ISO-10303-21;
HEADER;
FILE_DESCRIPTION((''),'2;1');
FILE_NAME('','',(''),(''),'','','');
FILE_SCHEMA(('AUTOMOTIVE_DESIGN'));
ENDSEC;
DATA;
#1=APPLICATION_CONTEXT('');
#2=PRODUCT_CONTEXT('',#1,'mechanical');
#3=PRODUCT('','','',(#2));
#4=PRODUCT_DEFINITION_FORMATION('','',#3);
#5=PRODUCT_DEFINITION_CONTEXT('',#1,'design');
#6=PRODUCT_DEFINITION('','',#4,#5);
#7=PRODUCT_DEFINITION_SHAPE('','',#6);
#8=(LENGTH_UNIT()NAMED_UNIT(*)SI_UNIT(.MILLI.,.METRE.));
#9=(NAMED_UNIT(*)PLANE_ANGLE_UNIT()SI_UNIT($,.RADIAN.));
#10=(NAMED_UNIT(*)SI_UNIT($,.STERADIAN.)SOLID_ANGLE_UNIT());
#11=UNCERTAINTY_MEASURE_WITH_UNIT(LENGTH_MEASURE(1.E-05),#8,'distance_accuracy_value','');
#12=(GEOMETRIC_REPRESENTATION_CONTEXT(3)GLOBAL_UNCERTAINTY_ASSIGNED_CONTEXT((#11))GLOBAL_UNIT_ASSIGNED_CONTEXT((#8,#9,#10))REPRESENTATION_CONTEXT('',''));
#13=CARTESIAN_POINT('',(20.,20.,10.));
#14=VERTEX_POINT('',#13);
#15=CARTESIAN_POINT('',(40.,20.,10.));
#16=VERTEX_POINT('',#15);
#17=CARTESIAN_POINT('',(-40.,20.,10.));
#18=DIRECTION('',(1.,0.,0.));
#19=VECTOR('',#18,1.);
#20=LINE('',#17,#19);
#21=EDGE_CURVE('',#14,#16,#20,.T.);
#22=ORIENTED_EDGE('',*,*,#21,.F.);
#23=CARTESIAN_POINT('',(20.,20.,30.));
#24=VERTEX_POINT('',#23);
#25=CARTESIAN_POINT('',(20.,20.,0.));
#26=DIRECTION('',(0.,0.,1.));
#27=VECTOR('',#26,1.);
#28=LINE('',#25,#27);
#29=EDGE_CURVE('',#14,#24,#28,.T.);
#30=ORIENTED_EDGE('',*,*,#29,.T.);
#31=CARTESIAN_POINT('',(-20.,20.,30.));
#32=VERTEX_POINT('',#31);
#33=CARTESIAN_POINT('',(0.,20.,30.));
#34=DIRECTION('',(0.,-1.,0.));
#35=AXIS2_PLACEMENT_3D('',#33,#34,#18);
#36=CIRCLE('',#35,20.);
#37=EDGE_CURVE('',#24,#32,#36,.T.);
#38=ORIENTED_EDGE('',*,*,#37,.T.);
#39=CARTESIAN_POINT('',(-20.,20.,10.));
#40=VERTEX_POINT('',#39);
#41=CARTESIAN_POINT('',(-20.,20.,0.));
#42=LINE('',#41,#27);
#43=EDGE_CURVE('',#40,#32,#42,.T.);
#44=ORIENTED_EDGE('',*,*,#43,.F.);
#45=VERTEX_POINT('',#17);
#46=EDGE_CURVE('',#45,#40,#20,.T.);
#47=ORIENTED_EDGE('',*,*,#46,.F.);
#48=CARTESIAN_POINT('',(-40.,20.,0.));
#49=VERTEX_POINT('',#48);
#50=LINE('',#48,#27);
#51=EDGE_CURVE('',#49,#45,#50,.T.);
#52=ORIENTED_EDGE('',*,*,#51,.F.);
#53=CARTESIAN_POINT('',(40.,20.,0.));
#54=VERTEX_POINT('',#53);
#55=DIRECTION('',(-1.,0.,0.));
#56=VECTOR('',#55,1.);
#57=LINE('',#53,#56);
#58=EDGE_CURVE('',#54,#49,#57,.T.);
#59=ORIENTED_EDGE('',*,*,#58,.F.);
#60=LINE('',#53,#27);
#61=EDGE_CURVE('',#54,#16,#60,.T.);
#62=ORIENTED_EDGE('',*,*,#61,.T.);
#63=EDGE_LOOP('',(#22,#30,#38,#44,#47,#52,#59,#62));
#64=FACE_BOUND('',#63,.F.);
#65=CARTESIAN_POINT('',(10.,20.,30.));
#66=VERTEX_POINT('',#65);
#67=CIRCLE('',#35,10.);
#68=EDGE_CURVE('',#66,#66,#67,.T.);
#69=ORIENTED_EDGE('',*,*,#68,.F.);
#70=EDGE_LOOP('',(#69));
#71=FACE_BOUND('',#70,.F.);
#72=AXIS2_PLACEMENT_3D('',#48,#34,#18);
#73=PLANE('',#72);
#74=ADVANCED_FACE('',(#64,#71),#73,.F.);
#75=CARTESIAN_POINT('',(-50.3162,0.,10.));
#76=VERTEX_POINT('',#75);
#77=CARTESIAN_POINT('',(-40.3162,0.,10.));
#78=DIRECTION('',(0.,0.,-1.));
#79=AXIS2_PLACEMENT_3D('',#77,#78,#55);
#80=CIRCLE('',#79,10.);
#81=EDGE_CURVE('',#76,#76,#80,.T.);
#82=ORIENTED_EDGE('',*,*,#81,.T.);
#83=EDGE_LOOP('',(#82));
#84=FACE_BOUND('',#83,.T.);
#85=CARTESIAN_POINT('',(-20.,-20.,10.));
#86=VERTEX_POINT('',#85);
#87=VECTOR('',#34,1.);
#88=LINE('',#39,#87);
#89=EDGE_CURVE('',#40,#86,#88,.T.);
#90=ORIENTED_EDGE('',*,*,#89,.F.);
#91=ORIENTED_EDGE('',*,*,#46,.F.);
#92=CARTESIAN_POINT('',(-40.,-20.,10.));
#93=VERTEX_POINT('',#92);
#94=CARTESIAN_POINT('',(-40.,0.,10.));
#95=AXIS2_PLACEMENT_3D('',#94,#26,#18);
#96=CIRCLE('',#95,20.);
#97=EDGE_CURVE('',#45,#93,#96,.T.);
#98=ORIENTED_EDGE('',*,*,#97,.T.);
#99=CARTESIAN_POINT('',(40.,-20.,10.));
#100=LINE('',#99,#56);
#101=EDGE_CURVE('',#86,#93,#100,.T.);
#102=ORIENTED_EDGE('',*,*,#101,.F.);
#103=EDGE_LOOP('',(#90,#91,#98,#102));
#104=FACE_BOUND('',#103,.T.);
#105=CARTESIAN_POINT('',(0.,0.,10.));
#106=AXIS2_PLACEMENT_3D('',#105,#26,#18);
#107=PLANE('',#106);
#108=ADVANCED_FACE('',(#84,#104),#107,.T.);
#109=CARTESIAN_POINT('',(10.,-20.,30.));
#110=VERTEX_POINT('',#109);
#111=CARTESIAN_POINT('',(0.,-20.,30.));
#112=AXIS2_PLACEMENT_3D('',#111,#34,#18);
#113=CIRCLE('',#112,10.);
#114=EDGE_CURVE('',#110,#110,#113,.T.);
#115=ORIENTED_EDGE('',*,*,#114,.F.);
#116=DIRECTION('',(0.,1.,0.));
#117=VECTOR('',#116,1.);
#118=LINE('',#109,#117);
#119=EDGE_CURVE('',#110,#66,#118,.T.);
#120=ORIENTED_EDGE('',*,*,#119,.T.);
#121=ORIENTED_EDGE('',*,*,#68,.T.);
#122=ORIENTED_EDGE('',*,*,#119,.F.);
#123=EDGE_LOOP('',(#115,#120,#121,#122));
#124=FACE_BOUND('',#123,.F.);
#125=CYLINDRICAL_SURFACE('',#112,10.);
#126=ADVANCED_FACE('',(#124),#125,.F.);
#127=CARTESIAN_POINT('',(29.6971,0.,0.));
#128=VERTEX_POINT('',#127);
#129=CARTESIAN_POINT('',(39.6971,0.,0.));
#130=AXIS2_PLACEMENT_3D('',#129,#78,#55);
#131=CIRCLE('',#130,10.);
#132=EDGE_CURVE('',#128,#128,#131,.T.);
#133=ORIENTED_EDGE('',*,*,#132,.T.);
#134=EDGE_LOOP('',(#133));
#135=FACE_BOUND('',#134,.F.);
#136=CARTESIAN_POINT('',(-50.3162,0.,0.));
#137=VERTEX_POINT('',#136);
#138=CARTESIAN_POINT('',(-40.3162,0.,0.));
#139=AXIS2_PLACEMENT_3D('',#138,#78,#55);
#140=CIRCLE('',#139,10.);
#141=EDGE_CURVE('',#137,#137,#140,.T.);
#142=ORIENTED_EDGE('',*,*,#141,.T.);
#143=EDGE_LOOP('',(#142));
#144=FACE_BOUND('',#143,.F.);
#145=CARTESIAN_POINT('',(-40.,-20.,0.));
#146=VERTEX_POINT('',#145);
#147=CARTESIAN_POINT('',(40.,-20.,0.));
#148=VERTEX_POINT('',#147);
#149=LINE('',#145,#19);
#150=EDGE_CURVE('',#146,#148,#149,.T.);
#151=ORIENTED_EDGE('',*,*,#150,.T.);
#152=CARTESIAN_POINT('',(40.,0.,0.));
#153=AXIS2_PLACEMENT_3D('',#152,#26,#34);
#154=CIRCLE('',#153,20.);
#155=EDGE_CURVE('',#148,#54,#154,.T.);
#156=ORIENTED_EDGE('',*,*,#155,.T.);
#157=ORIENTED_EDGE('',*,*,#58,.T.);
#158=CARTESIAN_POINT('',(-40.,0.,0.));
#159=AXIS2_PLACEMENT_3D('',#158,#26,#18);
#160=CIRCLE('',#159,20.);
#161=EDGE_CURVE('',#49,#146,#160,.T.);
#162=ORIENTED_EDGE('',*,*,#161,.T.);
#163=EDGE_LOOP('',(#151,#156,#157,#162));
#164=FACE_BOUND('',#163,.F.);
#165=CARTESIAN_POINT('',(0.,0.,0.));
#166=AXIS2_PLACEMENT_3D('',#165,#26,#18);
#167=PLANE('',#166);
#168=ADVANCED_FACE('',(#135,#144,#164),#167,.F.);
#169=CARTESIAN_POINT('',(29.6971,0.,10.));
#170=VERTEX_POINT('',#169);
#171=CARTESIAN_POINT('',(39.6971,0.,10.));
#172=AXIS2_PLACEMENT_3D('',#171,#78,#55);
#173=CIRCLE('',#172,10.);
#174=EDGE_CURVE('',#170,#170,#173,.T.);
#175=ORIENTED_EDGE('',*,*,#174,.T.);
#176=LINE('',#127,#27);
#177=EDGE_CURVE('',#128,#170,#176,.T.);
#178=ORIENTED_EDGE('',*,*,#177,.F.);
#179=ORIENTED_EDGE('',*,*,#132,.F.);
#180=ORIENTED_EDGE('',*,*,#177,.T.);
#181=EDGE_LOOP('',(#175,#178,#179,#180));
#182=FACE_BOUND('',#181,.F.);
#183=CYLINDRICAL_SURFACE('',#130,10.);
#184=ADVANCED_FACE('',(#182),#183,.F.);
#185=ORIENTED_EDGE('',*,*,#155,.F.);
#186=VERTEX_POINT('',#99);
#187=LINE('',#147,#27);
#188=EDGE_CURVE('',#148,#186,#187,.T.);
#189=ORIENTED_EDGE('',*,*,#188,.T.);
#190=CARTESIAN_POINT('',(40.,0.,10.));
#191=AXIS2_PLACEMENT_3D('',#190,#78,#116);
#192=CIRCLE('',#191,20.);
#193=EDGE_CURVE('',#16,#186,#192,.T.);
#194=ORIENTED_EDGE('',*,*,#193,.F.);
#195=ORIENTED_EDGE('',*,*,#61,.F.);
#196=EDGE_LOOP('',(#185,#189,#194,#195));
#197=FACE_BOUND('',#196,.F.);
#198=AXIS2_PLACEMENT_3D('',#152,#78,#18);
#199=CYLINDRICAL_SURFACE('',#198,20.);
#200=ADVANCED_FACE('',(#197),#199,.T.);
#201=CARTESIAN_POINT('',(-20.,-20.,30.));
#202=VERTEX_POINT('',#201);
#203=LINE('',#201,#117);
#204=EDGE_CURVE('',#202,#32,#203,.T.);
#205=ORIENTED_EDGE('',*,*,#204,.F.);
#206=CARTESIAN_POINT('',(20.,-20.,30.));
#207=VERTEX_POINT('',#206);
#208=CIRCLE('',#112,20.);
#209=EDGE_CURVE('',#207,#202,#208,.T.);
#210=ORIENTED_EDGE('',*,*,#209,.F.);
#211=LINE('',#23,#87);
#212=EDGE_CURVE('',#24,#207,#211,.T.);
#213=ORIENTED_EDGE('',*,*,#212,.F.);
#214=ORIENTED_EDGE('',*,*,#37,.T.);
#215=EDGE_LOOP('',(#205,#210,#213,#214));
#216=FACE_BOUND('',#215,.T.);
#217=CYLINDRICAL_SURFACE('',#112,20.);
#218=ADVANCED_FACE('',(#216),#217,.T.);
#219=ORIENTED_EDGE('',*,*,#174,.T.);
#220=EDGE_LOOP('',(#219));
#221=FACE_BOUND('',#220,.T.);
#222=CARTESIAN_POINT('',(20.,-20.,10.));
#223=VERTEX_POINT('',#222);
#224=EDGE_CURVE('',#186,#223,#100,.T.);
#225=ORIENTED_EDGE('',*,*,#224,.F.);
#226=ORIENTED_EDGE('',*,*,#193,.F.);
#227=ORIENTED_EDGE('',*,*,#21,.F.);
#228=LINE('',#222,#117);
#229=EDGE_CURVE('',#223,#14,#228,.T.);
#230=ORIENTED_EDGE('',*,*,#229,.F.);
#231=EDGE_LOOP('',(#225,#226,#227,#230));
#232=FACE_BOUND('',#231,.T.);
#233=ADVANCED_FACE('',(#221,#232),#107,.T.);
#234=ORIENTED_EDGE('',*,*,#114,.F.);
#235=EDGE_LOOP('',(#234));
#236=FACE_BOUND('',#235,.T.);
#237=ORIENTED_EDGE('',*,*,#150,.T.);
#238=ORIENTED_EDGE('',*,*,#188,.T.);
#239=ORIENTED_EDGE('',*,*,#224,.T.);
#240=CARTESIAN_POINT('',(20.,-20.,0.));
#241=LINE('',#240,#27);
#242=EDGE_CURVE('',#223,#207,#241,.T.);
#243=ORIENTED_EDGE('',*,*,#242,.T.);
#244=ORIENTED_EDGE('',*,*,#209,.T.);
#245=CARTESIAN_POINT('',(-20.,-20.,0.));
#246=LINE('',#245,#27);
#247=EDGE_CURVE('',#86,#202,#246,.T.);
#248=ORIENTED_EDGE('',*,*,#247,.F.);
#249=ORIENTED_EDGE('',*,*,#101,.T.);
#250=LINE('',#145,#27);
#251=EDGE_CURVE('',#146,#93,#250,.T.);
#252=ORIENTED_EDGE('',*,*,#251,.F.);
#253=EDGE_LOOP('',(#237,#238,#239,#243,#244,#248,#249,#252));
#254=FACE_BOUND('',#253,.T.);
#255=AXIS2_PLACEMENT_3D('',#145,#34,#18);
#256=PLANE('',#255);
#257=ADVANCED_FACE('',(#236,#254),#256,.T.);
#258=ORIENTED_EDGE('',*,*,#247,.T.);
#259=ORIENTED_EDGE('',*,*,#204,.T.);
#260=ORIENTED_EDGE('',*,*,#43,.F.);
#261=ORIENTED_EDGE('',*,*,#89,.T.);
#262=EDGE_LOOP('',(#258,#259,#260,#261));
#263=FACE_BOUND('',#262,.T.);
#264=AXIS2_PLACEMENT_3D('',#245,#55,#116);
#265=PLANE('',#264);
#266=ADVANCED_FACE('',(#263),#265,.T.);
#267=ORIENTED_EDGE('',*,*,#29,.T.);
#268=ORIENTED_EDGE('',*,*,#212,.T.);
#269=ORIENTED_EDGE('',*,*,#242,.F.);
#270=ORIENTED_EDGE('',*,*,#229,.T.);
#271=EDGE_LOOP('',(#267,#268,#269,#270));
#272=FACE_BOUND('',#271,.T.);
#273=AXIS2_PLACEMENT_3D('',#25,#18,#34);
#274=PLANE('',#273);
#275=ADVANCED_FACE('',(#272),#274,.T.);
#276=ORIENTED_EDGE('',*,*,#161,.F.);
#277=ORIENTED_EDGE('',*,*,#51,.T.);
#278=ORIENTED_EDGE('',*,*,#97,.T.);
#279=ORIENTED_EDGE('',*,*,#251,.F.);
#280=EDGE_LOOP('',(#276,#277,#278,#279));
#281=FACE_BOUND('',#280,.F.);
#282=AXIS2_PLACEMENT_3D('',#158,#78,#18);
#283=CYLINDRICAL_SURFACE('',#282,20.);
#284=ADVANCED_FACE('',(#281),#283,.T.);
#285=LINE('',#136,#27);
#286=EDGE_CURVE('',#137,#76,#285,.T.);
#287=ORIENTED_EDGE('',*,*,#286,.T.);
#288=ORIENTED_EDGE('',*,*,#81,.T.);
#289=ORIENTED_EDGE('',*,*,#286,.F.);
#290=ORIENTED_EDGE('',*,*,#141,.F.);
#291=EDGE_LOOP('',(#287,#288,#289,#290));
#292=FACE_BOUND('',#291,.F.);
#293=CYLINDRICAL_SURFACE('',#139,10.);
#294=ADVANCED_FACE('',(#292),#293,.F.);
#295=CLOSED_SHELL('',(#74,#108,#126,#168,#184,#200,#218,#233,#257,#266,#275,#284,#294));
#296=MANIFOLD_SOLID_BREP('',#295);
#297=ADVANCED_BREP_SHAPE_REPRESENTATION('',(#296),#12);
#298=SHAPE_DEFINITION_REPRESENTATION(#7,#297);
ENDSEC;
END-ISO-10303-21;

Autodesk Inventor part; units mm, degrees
ref_plane "YZ Plane" through (0, 0, 0) normal (1, 0, 0) x (0, 1, 0)
ref_plane "XZ Plane" through (0, 0, 0) normal (0, 1, 0) x (-1, 0, 0)
ref_plane "XY Plane" through (0, 0, 0) normal (0, 0, 1) x (1, 0, 0)
sketch "Boceto1" plane through (0, 0, 0) normal (0, 0, 1) x (1, 0, 0)
  line L0 (-40, 20) -> (40, 20)
  line L1 (40, -20) -> (-40, -20)
  circle A0 centre (-40, 0) radius 20
  circle A1 centre (40, 0) radius 20
  line L2 (-20, 20) -> (20, 20)
  line L3 (20, 20) -> (20, -20)
  line L4 (20, -20) -> (-20, -20)
  line L5 (-20, -20) -> (-20, 20)
  point P0 (0, 0)
extrude "Extrusión1" add sketch "Boceto1" along normal blind 10 contours L0 L5 A0 | A0 | L5 L1 A0 | L0 A1 L3 | A1 | A1 L1 L3
sketch "Boceto2" plane through (0, 0, 0) normal (0, 0, 1) x (1, 0, 0)
  line L0 (20, 20) -> (20, -20) projected
  line L1 (-20, 20) -> (20, 20)
  line L2 (20, 20) -> (20, -20)
  line L3 (20, -20) -> (-20, -20)
  line L4 (-20, -20) -> (-20, 20)
  line L5 (-20, 20) -> (20, -20) construction
  line L6 (20, 20) -> (-20, -20) construction
  point P0 (0, 0)
extrude "Extrusión2" add sketch "Boceto2" along normal blind 30
sketch "Boceto3" plane through (0, 0, 0) normal (0, 0, -1) x (-1, 0, 0)
  circle A0 centre (-39.6971, 0) radius 10
  circle A1 centre (40.3162, 0) radius 10
  point P0 (0, 0)
extrude "Extrusión3" cut sketch "Boceto3" against normal blind 10
sketch "Boceto4" plane through (-40, -20, 0) normal (0, -1, 0) x (1, 0, 0)
  line L0 (20, 30) -> (60, 30) projected
  circle A0 centre (40, 30) radius 20
  point P0 (40, 0)
extrude "Extrusión4" add sketch "Boceto4" against normal blind 40 contours A0 L0 picked at (46.4729, 31.5954)
sketch "Boceto5" plane through (-40, -20, 0) normal (0, -1, 0) x (1, 0, 0)
  arc A0 (60, 30) -> (20, 30) centre (40, 30) ccw projected
  circle A1 centre (40, 30) radius 10
  point P0 (40, 0)
  dimension "d15" = 20
extrude "Extrusión5" cut sketch "Boceto5" against normal blind 40
properties part number "TAREA # 1 LAB DINAMICA"
